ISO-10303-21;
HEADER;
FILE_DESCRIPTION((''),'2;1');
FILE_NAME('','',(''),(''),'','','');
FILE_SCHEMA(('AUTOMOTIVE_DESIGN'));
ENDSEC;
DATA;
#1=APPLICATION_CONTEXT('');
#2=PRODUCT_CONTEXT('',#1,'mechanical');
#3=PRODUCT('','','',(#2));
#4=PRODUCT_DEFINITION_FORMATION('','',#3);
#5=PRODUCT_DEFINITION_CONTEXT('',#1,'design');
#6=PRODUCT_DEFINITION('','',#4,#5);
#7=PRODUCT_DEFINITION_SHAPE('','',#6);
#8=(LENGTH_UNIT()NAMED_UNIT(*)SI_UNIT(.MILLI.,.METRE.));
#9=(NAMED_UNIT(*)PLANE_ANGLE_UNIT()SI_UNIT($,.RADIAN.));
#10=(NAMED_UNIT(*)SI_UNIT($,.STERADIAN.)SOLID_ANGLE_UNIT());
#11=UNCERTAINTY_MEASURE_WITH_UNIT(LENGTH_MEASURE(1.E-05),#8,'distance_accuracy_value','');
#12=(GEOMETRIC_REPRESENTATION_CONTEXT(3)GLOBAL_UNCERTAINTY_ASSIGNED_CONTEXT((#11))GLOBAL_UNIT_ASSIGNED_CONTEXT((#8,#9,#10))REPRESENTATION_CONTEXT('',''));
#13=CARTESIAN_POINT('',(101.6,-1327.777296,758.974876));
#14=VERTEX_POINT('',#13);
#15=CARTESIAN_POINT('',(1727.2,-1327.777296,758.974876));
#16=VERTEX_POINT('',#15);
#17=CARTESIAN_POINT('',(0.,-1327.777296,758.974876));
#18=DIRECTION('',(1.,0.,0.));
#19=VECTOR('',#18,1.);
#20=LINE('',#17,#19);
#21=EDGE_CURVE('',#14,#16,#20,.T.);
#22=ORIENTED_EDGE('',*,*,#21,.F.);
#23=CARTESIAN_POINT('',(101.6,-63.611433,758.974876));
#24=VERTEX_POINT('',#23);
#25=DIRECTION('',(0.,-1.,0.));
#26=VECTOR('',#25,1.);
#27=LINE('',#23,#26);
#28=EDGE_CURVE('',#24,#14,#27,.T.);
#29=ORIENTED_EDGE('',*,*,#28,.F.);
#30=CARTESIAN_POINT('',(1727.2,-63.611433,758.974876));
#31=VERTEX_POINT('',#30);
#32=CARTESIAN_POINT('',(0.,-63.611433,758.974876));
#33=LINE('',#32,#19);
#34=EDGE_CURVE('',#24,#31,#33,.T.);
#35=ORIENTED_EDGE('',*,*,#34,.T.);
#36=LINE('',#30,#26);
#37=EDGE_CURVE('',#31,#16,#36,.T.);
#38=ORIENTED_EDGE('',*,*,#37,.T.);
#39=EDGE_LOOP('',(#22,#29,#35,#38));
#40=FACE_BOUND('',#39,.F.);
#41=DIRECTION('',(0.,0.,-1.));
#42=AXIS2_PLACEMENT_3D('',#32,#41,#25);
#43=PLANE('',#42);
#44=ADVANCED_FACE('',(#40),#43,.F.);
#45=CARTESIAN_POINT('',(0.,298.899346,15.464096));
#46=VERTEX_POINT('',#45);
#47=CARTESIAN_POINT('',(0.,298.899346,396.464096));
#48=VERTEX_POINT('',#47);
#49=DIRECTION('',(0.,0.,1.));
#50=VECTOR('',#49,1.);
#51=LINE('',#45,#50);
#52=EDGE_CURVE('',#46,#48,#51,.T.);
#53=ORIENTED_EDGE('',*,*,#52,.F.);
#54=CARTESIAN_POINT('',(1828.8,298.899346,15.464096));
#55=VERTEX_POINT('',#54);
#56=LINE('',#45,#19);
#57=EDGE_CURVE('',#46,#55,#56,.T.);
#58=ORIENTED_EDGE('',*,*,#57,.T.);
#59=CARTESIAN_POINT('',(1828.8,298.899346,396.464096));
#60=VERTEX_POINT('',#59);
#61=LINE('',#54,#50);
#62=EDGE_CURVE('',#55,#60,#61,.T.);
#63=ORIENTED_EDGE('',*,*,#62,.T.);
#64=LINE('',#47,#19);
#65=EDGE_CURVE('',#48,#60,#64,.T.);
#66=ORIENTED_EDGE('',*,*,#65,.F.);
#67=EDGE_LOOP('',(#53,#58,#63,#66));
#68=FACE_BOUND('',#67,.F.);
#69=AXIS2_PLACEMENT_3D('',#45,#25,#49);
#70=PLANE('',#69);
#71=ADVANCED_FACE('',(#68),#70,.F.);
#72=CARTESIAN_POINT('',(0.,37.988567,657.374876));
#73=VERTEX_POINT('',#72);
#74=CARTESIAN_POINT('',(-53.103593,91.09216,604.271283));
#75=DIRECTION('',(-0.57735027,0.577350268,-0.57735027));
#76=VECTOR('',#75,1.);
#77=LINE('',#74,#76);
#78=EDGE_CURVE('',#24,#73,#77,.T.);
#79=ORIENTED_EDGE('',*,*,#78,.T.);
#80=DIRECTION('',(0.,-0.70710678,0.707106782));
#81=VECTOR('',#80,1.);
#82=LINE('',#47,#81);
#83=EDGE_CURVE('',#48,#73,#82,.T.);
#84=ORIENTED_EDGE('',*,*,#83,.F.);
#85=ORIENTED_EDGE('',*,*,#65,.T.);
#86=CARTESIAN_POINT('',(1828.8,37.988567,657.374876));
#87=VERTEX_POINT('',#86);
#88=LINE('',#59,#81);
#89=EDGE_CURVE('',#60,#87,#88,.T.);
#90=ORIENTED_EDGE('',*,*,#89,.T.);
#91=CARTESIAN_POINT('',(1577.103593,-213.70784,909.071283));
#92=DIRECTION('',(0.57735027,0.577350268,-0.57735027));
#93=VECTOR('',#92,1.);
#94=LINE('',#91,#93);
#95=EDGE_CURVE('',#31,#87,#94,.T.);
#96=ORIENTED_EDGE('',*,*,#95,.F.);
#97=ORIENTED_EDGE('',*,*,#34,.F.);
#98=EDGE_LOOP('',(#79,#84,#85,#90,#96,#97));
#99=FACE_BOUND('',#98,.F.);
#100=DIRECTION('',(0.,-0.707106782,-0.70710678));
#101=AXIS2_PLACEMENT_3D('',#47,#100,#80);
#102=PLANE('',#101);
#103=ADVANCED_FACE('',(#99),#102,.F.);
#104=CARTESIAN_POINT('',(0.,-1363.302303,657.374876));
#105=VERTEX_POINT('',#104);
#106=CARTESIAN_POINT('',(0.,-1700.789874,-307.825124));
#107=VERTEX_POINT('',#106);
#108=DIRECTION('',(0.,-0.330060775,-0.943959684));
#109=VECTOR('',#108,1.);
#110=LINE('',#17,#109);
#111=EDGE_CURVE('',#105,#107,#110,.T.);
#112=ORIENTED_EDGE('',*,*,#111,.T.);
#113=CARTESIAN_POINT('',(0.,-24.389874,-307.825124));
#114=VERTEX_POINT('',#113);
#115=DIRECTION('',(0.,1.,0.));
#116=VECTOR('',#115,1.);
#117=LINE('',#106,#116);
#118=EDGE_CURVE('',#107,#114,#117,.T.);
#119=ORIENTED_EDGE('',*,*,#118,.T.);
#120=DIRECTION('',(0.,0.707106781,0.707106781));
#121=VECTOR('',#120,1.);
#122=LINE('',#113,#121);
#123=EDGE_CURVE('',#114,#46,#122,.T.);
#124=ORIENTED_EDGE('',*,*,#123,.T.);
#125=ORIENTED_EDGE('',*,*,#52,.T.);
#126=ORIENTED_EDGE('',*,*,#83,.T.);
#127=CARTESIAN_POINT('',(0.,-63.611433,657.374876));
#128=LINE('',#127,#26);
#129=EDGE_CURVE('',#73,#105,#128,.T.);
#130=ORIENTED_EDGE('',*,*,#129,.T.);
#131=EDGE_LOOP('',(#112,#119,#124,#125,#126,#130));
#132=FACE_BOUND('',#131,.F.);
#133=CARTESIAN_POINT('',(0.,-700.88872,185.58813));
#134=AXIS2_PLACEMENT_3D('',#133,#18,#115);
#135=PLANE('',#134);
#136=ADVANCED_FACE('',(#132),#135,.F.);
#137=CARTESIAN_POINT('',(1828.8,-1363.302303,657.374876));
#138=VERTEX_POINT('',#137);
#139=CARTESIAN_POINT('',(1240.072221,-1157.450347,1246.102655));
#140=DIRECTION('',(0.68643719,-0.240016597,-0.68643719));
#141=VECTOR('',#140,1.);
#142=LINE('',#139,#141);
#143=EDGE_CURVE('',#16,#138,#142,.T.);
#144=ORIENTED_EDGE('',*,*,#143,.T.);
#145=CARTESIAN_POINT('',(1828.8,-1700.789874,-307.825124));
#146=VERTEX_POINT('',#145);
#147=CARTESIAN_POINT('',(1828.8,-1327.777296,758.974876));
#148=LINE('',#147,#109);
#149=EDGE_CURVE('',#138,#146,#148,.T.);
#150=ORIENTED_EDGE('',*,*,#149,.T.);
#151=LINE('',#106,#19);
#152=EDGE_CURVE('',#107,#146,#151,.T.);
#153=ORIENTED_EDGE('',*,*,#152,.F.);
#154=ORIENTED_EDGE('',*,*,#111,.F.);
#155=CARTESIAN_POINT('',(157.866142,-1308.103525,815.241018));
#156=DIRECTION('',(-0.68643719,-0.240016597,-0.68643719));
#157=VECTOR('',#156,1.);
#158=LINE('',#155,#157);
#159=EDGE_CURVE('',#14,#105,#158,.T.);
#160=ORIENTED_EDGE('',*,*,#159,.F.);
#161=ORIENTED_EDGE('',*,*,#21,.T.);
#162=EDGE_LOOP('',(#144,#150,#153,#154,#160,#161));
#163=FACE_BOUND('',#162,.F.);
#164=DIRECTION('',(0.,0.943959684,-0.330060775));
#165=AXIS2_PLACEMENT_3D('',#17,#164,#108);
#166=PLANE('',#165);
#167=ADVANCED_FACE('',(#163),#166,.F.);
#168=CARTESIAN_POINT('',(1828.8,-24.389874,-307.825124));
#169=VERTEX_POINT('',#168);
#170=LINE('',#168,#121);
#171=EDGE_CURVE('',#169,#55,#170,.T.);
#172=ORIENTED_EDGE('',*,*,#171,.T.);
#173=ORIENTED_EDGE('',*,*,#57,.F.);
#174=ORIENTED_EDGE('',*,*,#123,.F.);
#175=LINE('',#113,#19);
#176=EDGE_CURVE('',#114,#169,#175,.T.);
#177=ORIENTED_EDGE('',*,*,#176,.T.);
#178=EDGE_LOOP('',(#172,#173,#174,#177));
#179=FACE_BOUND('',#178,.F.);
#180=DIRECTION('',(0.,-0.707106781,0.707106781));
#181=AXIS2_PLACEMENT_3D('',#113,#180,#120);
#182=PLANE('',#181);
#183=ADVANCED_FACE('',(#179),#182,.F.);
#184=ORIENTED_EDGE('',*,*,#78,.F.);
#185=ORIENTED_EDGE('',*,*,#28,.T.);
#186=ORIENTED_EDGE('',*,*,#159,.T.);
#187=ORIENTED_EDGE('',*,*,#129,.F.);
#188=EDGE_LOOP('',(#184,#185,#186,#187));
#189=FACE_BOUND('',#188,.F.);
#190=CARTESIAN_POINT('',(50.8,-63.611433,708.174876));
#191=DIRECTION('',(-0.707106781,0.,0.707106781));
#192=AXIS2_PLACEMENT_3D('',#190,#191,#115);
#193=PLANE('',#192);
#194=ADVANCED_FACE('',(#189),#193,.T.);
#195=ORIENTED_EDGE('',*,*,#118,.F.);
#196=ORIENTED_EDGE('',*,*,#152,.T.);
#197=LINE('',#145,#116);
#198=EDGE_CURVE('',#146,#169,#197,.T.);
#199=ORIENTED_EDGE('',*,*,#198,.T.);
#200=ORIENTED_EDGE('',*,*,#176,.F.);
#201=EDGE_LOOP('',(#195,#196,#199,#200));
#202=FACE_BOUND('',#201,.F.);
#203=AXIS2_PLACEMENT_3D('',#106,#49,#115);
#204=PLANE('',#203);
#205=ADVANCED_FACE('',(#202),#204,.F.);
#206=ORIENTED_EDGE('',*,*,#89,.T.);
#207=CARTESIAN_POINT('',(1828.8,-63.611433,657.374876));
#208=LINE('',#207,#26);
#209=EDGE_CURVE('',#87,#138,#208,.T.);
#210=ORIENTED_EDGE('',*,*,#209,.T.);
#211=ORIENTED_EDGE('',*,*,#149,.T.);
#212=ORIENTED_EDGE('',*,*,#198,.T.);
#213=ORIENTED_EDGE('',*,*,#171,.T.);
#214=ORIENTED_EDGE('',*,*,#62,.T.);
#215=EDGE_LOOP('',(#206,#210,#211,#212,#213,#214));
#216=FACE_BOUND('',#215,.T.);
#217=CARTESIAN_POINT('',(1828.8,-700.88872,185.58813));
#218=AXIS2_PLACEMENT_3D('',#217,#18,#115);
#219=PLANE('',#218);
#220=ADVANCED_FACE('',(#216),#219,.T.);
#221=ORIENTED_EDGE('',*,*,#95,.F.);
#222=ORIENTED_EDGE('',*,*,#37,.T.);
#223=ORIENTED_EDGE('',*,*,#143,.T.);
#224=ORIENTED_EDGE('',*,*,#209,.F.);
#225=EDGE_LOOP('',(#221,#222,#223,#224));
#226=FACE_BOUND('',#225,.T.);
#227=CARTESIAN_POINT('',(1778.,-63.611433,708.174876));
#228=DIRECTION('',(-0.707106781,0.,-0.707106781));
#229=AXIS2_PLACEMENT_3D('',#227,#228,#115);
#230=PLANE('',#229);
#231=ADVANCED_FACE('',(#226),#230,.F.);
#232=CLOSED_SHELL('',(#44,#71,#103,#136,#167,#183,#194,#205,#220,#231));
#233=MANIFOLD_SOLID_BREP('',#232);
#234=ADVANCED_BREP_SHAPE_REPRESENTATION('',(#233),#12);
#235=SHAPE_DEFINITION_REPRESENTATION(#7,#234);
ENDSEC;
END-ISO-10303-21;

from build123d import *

# Parameters (mm, degrees)
F1_DEPTH = 1828.8
F3_SIZE  = 101.6
F4_SIZE  = 101.6


with BuildPart() as f1:
    # F0 (on Right) → F1 (new body)
    with BuildSketch(Plane.YZ):
        Polygon((-1327.777296, 758.974876), (-1700.789874, -307.825124), (-24.389874, -307.825124), (298.899346, 15.464096), (298.899346, 396.464096), (-63.611433, 758.974876), align=None)
    extrude(amount=F1_DEPTH)

    # F3
    f3_edges = [f1.edges().sort_by_distance(p)[0] for p in [
        (1828.8, -695.694365, 758.974876),
    ]]
    chamfer(f3_edges, length=F3_SIZE)

    # F4
    f4_edges = [f1.edges().sort_by_distance(p)[0] for p in [
        (0, -695.694365, 758.974876),
    ]]
    chamfer(f4_edges, length=F4_SIZE)


solid = f1.part
